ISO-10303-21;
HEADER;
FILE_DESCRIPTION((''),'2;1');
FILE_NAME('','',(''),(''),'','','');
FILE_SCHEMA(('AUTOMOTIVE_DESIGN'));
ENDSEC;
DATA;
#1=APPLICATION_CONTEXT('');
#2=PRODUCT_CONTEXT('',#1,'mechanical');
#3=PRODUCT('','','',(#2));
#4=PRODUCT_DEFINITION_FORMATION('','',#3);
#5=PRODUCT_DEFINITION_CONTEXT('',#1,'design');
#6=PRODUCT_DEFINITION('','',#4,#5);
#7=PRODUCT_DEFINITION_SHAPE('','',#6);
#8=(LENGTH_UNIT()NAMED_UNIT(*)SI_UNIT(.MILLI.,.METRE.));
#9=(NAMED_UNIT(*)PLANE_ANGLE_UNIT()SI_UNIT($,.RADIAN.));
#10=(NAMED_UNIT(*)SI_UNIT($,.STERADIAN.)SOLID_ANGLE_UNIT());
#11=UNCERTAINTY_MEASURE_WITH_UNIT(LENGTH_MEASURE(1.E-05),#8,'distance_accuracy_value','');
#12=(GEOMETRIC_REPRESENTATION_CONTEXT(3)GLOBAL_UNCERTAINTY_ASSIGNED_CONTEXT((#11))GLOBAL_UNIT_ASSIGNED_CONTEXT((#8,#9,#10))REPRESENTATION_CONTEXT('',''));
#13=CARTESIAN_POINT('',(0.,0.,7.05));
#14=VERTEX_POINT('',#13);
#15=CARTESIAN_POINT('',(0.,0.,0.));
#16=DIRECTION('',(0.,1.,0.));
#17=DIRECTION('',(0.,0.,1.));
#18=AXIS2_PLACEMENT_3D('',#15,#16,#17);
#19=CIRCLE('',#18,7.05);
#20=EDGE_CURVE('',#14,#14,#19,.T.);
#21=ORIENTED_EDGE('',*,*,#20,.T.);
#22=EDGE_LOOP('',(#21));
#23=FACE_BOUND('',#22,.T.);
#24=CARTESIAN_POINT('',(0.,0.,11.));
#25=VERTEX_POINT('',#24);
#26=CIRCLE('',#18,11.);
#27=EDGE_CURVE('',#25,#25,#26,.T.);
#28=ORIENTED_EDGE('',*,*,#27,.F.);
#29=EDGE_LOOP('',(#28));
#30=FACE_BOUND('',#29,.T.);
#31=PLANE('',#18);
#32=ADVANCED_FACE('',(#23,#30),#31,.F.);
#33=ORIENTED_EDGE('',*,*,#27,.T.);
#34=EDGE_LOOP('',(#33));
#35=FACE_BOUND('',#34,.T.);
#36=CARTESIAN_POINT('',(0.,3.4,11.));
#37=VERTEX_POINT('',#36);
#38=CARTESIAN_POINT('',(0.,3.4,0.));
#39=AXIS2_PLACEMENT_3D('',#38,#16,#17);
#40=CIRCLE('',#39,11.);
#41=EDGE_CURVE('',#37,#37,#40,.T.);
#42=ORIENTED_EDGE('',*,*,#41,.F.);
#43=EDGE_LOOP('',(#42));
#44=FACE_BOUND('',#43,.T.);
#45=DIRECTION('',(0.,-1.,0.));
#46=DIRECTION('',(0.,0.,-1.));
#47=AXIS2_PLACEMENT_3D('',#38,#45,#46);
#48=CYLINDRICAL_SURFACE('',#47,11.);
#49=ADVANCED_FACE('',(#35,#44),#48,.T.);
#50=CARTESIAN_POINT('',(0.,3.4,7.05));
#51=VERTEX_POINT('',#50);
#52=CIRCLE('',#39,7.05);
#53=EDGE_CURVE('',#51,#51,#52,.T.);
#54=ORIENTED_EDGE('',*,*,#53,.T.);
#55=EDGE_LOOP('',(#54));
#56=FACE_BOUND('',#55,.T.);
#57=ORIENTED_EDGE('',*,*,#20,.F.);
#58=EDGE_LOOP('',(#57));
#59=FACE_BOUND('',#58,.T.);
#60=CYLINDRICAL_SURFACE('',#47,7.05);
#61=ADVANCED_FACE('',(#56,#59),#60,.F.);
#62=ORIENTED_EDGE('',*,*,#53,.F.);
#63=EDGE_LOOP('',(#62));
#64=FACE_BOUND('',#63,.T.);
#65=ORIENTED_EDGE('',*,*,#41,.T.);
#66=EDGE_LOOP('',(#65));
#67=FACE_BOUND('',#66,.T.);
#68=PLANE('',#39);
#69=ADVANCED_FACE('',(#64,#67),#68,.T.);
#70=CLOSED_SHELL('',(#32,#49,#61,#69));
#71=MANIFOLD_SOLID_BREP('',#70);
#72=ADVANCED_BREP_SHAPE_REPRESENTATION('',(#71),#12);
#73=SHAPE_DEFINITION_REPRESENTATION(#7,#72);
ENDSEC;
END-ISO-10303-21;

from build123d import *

# Parameters (mm, degrees)
SKETCH_1_R      = 11
SKETCH_1_R_2    = 7.05
EXTRUDE_1_DEPTH = 3.4


with BuildPart() as part:
    # 草图1 → 凸台-拉伸1 (new body)
    with BuildSketch(Plane(origin=(0, 0, 0), x_dir=(1, 0, 0), z_dir=(0, 1, 0))):
        Circle(SKETCH_1_R)
        Circle(SKETCH_1_R_2, mode=Mode.SUBTRACT)
    extrude(amount=EXTRUDE_1_DEPTH)


solid = part.part
